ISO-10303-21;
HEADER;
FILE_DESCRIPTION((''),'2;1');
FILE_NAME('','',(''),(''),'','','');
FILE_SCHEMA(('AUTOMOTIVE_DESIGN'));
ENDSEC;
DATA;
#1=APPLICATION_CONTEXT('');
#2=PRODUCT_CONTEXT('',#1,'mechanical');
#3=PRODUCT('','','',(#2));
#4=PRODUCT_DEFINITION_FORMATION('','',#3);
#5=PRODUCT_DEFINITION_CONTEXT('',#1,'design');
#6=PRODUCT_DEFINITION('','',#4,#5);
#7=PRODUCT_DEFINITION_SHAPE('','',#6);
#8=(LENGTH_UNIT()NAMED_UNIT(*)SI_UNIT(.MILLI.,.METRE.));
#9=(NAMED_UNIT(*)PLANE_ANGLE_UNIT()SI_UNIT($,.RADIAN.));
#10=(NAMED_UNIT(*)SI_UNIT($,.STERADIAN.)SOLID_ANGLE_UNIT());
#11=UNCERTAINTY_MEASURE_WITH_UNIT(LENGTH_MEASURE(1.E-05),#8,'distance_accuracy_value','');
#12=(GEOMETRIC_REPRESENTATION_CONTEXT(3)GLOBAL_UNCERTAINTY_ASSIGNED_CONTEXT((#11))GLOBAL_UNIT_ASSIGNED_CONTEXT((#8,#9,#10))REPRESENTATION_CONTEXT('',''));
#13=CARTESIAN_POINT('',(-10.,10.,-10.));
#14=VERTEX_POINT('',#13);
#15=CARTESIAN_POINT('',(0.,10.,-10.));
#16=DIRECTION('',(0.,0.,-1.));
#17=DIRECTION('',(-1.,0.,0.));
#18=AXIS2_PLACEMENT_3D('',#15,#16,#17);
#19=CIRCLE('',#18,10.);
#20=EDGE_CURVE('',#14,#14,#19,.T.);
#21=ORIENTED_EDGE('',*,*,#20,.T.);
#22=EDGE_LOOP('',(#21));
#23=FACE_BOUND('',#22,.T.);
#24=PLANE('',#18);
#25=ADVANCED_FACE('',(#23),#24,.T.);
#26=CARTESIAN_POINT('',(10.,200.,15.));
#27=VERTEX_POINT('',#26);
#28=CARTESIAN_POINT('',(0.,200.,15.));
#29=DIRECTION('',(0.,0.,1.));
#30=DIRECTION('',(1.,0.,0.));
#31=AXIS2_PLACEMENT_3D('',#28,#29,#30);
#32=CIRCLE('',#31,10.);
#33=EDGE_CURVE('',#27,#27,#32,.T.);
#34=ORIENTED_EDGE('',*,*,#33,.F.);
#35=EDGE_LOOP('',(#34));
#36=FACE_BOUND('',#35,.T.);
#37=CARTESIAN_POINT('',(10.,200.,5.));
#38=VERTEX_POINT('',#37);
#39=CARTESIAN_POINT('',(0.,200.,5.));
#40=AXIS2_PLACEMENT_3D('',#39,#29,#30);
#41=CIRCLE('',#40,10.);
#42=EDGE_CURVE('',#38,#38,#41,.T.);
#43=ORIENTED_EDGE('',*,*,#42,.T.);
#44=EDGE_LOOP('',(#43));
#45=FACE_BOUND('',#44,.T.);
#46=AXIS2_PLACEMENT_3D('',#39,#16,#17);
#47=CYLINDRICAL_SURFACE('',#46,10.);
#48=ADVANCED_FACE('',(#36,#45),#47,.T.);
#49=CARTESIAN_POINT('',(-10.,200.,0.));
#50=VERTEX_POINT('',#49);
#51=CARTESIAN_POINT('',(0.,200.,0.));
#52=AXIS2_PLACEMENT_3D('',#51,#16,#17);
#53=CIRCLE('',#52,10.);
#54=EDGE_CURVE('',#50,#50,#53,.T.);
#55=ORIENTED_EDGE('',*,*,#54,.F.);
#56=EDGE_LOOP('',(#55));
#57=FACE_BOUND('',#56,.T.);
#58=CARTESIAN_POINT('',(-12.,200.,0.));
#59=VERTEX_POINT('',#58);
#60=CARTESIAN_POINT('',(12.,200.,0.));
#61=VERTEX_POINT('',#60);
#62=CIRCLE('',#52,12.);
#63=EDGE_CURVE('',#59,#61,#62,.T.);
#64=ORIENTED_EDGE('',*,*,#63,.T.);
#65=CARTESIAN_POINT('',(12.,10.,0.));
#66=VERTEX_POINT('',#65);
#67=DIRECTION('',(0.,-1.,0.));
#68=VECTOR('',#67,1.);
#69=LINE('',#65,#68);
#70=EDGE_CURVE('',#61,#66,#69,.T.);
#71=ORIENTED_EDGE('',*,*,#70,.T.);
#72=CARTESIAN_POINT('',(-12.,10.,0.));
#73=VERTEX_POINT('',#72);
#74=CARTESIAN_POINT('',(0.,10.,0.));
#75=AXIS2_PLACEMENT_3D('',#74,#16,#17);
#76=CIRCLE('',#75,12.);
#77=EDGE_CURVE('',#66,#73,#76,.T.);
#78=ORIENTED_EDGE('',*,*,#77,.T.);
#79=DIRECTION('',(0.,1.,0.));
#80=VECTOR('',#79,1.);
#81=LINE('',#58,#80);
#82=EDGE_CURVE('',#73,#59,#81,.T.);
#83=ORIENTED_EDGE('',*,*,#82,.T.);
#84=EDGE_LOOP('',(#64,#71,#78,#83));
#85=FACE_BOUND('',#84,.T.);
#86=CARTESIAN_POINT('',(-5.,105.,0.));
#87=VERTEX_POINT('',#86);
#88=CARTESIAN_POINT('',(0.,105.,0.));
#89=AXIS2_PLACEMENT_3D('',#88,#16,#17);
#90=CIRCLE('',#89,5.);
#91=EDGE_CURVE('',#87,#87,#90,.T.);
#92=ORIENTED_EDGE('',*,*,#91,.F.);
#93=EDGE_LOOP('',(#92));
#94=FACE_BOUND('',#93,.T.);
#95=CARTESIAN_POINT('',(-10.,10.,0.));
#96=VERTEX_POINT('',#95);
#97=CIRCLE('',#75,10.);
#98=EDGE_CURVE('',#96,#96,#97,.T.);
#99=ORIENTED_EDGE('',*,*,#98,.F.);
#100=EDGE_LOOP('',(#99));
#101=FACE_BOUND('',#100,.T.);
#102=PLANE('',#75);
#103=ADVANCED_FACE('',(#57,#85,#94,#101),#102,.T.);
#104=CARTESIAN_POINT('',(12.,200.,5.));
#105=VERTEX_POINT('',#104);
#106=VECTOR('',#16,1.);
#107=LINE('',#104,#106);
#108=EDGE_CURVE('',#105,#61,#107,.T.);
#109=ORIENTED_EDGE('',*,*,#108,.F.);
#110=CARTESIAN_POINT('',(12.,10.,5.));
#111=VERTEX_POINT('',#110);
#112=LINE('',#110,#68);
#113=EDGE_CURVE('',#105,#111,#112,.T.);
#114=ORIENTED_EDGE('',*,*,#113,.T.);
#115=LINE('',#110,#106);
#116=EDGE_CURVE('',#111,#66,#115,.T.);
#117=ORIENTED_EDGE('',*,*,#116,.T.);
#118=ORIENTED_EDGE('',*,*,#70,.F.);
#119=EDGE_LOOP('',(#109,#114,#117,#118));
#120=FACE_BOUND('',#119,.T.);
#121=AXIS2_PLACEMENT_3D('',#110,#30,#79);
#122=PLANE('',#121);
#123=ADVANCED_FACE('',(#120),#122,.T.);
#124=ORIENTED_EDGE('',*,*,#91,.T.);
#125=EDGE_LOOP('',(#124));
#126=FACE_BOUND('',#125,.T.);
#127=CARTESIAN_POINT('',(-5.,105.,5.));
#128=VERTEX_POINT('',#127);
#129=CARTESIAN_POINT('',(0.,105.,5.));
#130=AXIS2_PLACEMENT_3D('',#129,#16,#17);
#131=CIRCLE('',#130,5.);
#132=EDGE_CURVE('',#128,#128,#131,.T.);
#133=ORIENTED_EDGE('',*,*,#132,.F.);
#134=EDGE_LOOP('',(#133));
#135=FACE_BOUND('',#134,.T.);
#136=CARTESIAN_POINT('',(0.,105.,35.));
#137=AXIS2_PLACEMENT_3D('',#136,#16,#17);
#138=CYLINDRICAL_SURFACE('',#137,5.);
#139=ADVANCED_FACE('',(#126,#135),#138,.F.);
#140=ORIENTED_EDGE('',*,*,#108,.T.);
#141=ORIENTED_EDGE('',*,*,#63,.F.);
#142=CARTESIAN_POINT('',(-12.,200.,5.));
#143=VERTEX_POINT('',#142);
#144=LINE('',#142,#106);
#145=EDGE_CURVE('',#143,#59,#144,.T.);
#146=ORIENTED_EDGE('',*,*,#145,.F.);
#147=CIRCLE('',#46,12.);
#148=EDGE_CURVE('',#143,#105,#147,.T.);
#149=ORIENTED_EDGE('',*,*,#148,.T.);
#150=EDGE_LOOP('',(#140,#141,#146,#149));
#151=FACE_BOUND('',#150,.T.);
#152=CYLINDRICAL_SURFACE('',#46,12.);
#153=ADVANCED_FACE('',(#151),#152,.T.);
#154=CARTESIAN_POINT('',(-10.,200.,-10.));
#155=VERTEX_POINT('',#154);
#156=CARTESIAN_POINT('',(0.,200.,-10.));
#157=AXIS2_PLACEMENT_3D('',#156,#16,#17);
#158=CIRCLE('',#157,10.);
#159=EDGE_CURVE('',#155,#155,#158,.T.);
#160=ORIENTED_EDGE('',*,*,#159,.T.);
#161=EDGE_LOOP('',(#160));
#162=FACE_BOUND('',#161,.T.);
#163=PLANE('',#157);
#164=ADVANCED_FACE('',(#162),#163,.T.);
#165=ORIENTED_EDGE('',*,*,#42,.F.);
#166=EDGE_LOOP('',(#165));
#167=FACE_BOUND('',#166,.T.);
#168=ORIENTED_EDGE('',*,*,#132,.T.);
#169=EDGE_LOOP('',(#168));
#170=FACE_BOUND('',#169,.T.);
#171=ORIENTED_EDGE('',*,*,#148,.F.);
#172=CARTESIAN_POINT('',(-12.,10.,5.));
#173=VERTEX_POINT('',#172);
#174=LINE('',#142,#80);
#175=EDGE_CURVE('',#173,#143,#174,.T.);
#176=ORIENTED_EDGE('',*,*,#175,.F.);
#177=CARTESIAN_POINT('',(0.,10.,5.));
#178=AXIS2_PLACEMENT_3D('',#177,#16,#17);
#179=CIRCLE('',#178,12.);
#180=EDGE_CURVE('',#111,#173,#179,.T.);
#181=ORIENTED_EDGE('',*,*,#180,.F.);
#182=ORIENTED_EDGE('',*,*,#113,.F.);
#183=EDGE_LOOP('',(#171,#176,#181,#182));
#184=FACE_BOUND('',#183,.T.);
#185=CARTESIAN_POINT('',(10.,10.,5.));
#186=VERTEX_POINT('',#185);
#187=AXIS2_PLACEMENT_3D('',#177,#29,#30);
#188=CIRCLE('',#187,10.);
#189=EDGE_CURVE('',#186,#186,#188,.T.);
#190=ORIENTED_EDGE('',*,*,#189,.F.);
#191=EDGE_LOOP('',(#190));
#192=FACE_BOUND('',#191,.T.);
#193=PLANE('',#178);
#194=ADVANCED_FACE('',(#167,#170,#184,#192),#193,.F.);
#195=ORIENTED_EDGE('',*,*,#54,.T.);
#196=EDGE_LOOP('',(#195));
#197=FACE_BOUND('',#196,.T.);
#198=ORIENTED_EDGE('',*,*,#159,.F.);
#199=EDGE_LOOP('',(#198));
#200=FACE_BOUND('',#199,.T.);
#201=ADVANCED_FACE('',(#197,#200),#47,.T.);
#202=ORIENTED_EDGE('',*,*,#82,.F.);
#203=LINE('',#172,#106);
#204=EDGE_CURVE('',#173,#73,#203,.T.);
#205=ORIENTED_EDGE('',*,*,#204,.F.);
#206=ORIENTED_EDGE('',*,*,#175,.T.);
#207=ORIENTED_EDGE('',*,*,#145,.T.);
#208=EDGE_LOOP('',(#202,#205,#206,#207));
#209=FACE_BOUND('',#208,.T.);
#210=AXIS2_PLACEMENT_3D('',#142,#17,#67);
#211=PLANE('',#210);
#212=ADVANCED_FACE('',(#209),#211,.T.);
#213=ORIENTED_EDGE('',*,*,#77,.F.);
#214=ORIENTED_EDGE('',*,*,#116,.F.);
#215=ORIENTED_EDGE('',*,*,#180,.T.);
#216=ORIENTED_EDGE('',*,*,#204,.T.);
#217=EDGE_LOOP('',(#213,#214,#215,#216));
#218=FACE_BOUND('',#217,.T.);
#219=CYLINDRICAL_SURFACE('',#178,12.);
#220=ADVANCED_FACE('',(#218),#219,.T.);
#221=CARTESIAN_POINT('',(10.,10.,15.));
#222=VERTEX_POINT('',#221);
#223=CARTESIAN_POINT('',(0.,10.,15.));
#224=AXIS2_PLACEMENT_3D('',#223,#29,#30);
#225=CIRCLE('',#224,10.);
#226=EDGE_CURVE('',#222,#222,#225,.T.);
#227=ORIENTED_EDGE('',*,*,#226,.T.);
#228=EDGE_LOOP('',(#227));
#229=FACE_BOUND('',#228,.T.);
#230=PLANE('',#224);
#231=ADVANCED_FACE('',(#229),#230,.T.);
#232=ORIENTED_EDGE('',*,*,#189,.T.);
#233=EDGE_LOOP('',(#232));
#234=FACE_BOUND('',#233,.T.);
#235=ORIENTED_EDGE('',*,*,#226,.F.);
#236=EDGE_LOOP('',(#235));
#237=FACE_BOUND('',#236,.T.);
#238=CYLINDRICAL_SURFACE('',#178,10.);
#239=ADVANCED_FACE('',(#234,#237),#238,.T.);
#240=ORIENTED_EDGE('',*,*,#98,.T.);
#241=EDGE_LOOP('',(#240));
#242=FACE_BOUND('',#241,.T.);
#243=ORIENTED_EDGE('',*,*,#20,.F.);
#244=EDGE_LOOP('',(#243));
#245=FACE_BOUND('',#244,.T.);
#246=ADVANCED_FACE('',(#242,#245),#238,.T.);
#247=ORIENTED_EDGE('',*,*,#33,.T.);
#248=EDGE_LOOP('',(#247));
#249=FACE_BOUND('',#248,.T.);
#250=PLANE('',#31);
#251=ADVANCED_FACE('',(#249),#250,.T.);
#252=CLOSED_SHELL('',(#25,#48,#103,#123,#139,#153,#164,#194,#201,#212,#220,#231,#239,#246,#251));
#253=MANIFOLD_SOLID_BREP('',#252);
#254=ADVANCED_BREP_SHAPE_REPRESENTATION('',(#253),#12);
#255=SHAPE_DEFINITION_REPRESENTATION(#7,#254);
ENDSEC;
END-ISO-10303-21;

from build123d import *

# Parameters (mm, degrees)
BOSS_EXTRUDE1_DEPTH = 5
SKETCH2_R           = 10
BOSS_EXTRUDE2_DEPTH = 10
SKETCH3_R           = 5
CUT_EXTRUDE1_DEPTH  = 10
BOSS_EXTRUDE3_START = 10
SKETCH4_R           = 10
BOSS_EXTRUDE3_DEPTH = 10
BOSS_EXTRUDE4_DEPTH = 5
SKETCH9_R           = 5
CUT_EXTRUDE4_DEPTH  = 35


with BuildPart() as part:
    # Sketch1 → Boss-Extrude1 (new body)
    with BuildSketch(Plane.XY):
        with BuildLine():
            Line((10, 10), (10, 200))
            ThreePointArc((10, 200), (0, 210), (-10, 200))
            Line((-10, 200), (-10, 10))
            ThreePointArc((-10, 10), (0, 0), (10, 10))
        make_face()
    extrude(amount=BOSS_EXTRUDE1_DEPTH)

    # Sketch2 → Boss-Extrude2 (add)
    with BuildSketch(Plane.XY.offset(5)):
        with Locations((0, 200)):
            Circle(SKETCH2_R)
        with Locations((0, 10)):
            Circle(SKETCH2_R)
    extrude(amount=BOSS_EXTRUDE2_DEPTH)

    # Sketch3 → Cut-Extrude1 (cut)
    with BuildSketch(Plane(origin=(0, 0, 0), x_dir=(-1, 0, 0), z_dir=(0, 0, -1))):
        with Locations((0, 105)):
            Circle(SKETCH3_R)
    extrude(amount=-CUT_EXTRUDE1_DEPTH, mode=Mode.SUBTRACT)

    # Sketch4 → Boss-Extrude3 (add)
    with BuildSketch(Plane(origin=(0, 0, 0), x_dir=(-1, 0, 0), z_dir=(0, 0, -1)).offset(BOSS_EXTRUDE3_START)):
        with Locations((0, 200)):
            Circle(SKETCH4_R)
        with Locations((0, 10)):
            Circle(SKETCH4_R)
    extrude(amount=-BOSS_EXTRUDE3_DEPTH)

    # Sketch5 → Boss-Extrude4 (add)
    with BuildSketch(Plane(origin=(0, 0, 0), x_dir=(-1, 0, 0), z_dir=(0, 0, -1))):
        with BuildLine():
            Line((12, 200), (12, 10))
            ThreePointArc((12, 10), (0, -2), (-12, 10))
            Line((-12, 10), (-12, 200))
            ThreePointArc((-12, 200), (0, 212), (12, 200))
        make_face()
    extrude(amount=-BOSS_EXTRUDE4_DEPTH)

    # Sketch9 → Cut-Extrude4 (cut)
    with BuildSketch(Plane(origin=(0, 0, 0), x_dir=(-1, 0, 0), z_dir=(0, 0, -1))):
        with Locations((0, 105)):
            Circle(SKETCH9_R)
    extrude(amount=-CUT_EXTRUDE4_DEPTH, mode=Mode.SUBTRACT)


solid = part.part
